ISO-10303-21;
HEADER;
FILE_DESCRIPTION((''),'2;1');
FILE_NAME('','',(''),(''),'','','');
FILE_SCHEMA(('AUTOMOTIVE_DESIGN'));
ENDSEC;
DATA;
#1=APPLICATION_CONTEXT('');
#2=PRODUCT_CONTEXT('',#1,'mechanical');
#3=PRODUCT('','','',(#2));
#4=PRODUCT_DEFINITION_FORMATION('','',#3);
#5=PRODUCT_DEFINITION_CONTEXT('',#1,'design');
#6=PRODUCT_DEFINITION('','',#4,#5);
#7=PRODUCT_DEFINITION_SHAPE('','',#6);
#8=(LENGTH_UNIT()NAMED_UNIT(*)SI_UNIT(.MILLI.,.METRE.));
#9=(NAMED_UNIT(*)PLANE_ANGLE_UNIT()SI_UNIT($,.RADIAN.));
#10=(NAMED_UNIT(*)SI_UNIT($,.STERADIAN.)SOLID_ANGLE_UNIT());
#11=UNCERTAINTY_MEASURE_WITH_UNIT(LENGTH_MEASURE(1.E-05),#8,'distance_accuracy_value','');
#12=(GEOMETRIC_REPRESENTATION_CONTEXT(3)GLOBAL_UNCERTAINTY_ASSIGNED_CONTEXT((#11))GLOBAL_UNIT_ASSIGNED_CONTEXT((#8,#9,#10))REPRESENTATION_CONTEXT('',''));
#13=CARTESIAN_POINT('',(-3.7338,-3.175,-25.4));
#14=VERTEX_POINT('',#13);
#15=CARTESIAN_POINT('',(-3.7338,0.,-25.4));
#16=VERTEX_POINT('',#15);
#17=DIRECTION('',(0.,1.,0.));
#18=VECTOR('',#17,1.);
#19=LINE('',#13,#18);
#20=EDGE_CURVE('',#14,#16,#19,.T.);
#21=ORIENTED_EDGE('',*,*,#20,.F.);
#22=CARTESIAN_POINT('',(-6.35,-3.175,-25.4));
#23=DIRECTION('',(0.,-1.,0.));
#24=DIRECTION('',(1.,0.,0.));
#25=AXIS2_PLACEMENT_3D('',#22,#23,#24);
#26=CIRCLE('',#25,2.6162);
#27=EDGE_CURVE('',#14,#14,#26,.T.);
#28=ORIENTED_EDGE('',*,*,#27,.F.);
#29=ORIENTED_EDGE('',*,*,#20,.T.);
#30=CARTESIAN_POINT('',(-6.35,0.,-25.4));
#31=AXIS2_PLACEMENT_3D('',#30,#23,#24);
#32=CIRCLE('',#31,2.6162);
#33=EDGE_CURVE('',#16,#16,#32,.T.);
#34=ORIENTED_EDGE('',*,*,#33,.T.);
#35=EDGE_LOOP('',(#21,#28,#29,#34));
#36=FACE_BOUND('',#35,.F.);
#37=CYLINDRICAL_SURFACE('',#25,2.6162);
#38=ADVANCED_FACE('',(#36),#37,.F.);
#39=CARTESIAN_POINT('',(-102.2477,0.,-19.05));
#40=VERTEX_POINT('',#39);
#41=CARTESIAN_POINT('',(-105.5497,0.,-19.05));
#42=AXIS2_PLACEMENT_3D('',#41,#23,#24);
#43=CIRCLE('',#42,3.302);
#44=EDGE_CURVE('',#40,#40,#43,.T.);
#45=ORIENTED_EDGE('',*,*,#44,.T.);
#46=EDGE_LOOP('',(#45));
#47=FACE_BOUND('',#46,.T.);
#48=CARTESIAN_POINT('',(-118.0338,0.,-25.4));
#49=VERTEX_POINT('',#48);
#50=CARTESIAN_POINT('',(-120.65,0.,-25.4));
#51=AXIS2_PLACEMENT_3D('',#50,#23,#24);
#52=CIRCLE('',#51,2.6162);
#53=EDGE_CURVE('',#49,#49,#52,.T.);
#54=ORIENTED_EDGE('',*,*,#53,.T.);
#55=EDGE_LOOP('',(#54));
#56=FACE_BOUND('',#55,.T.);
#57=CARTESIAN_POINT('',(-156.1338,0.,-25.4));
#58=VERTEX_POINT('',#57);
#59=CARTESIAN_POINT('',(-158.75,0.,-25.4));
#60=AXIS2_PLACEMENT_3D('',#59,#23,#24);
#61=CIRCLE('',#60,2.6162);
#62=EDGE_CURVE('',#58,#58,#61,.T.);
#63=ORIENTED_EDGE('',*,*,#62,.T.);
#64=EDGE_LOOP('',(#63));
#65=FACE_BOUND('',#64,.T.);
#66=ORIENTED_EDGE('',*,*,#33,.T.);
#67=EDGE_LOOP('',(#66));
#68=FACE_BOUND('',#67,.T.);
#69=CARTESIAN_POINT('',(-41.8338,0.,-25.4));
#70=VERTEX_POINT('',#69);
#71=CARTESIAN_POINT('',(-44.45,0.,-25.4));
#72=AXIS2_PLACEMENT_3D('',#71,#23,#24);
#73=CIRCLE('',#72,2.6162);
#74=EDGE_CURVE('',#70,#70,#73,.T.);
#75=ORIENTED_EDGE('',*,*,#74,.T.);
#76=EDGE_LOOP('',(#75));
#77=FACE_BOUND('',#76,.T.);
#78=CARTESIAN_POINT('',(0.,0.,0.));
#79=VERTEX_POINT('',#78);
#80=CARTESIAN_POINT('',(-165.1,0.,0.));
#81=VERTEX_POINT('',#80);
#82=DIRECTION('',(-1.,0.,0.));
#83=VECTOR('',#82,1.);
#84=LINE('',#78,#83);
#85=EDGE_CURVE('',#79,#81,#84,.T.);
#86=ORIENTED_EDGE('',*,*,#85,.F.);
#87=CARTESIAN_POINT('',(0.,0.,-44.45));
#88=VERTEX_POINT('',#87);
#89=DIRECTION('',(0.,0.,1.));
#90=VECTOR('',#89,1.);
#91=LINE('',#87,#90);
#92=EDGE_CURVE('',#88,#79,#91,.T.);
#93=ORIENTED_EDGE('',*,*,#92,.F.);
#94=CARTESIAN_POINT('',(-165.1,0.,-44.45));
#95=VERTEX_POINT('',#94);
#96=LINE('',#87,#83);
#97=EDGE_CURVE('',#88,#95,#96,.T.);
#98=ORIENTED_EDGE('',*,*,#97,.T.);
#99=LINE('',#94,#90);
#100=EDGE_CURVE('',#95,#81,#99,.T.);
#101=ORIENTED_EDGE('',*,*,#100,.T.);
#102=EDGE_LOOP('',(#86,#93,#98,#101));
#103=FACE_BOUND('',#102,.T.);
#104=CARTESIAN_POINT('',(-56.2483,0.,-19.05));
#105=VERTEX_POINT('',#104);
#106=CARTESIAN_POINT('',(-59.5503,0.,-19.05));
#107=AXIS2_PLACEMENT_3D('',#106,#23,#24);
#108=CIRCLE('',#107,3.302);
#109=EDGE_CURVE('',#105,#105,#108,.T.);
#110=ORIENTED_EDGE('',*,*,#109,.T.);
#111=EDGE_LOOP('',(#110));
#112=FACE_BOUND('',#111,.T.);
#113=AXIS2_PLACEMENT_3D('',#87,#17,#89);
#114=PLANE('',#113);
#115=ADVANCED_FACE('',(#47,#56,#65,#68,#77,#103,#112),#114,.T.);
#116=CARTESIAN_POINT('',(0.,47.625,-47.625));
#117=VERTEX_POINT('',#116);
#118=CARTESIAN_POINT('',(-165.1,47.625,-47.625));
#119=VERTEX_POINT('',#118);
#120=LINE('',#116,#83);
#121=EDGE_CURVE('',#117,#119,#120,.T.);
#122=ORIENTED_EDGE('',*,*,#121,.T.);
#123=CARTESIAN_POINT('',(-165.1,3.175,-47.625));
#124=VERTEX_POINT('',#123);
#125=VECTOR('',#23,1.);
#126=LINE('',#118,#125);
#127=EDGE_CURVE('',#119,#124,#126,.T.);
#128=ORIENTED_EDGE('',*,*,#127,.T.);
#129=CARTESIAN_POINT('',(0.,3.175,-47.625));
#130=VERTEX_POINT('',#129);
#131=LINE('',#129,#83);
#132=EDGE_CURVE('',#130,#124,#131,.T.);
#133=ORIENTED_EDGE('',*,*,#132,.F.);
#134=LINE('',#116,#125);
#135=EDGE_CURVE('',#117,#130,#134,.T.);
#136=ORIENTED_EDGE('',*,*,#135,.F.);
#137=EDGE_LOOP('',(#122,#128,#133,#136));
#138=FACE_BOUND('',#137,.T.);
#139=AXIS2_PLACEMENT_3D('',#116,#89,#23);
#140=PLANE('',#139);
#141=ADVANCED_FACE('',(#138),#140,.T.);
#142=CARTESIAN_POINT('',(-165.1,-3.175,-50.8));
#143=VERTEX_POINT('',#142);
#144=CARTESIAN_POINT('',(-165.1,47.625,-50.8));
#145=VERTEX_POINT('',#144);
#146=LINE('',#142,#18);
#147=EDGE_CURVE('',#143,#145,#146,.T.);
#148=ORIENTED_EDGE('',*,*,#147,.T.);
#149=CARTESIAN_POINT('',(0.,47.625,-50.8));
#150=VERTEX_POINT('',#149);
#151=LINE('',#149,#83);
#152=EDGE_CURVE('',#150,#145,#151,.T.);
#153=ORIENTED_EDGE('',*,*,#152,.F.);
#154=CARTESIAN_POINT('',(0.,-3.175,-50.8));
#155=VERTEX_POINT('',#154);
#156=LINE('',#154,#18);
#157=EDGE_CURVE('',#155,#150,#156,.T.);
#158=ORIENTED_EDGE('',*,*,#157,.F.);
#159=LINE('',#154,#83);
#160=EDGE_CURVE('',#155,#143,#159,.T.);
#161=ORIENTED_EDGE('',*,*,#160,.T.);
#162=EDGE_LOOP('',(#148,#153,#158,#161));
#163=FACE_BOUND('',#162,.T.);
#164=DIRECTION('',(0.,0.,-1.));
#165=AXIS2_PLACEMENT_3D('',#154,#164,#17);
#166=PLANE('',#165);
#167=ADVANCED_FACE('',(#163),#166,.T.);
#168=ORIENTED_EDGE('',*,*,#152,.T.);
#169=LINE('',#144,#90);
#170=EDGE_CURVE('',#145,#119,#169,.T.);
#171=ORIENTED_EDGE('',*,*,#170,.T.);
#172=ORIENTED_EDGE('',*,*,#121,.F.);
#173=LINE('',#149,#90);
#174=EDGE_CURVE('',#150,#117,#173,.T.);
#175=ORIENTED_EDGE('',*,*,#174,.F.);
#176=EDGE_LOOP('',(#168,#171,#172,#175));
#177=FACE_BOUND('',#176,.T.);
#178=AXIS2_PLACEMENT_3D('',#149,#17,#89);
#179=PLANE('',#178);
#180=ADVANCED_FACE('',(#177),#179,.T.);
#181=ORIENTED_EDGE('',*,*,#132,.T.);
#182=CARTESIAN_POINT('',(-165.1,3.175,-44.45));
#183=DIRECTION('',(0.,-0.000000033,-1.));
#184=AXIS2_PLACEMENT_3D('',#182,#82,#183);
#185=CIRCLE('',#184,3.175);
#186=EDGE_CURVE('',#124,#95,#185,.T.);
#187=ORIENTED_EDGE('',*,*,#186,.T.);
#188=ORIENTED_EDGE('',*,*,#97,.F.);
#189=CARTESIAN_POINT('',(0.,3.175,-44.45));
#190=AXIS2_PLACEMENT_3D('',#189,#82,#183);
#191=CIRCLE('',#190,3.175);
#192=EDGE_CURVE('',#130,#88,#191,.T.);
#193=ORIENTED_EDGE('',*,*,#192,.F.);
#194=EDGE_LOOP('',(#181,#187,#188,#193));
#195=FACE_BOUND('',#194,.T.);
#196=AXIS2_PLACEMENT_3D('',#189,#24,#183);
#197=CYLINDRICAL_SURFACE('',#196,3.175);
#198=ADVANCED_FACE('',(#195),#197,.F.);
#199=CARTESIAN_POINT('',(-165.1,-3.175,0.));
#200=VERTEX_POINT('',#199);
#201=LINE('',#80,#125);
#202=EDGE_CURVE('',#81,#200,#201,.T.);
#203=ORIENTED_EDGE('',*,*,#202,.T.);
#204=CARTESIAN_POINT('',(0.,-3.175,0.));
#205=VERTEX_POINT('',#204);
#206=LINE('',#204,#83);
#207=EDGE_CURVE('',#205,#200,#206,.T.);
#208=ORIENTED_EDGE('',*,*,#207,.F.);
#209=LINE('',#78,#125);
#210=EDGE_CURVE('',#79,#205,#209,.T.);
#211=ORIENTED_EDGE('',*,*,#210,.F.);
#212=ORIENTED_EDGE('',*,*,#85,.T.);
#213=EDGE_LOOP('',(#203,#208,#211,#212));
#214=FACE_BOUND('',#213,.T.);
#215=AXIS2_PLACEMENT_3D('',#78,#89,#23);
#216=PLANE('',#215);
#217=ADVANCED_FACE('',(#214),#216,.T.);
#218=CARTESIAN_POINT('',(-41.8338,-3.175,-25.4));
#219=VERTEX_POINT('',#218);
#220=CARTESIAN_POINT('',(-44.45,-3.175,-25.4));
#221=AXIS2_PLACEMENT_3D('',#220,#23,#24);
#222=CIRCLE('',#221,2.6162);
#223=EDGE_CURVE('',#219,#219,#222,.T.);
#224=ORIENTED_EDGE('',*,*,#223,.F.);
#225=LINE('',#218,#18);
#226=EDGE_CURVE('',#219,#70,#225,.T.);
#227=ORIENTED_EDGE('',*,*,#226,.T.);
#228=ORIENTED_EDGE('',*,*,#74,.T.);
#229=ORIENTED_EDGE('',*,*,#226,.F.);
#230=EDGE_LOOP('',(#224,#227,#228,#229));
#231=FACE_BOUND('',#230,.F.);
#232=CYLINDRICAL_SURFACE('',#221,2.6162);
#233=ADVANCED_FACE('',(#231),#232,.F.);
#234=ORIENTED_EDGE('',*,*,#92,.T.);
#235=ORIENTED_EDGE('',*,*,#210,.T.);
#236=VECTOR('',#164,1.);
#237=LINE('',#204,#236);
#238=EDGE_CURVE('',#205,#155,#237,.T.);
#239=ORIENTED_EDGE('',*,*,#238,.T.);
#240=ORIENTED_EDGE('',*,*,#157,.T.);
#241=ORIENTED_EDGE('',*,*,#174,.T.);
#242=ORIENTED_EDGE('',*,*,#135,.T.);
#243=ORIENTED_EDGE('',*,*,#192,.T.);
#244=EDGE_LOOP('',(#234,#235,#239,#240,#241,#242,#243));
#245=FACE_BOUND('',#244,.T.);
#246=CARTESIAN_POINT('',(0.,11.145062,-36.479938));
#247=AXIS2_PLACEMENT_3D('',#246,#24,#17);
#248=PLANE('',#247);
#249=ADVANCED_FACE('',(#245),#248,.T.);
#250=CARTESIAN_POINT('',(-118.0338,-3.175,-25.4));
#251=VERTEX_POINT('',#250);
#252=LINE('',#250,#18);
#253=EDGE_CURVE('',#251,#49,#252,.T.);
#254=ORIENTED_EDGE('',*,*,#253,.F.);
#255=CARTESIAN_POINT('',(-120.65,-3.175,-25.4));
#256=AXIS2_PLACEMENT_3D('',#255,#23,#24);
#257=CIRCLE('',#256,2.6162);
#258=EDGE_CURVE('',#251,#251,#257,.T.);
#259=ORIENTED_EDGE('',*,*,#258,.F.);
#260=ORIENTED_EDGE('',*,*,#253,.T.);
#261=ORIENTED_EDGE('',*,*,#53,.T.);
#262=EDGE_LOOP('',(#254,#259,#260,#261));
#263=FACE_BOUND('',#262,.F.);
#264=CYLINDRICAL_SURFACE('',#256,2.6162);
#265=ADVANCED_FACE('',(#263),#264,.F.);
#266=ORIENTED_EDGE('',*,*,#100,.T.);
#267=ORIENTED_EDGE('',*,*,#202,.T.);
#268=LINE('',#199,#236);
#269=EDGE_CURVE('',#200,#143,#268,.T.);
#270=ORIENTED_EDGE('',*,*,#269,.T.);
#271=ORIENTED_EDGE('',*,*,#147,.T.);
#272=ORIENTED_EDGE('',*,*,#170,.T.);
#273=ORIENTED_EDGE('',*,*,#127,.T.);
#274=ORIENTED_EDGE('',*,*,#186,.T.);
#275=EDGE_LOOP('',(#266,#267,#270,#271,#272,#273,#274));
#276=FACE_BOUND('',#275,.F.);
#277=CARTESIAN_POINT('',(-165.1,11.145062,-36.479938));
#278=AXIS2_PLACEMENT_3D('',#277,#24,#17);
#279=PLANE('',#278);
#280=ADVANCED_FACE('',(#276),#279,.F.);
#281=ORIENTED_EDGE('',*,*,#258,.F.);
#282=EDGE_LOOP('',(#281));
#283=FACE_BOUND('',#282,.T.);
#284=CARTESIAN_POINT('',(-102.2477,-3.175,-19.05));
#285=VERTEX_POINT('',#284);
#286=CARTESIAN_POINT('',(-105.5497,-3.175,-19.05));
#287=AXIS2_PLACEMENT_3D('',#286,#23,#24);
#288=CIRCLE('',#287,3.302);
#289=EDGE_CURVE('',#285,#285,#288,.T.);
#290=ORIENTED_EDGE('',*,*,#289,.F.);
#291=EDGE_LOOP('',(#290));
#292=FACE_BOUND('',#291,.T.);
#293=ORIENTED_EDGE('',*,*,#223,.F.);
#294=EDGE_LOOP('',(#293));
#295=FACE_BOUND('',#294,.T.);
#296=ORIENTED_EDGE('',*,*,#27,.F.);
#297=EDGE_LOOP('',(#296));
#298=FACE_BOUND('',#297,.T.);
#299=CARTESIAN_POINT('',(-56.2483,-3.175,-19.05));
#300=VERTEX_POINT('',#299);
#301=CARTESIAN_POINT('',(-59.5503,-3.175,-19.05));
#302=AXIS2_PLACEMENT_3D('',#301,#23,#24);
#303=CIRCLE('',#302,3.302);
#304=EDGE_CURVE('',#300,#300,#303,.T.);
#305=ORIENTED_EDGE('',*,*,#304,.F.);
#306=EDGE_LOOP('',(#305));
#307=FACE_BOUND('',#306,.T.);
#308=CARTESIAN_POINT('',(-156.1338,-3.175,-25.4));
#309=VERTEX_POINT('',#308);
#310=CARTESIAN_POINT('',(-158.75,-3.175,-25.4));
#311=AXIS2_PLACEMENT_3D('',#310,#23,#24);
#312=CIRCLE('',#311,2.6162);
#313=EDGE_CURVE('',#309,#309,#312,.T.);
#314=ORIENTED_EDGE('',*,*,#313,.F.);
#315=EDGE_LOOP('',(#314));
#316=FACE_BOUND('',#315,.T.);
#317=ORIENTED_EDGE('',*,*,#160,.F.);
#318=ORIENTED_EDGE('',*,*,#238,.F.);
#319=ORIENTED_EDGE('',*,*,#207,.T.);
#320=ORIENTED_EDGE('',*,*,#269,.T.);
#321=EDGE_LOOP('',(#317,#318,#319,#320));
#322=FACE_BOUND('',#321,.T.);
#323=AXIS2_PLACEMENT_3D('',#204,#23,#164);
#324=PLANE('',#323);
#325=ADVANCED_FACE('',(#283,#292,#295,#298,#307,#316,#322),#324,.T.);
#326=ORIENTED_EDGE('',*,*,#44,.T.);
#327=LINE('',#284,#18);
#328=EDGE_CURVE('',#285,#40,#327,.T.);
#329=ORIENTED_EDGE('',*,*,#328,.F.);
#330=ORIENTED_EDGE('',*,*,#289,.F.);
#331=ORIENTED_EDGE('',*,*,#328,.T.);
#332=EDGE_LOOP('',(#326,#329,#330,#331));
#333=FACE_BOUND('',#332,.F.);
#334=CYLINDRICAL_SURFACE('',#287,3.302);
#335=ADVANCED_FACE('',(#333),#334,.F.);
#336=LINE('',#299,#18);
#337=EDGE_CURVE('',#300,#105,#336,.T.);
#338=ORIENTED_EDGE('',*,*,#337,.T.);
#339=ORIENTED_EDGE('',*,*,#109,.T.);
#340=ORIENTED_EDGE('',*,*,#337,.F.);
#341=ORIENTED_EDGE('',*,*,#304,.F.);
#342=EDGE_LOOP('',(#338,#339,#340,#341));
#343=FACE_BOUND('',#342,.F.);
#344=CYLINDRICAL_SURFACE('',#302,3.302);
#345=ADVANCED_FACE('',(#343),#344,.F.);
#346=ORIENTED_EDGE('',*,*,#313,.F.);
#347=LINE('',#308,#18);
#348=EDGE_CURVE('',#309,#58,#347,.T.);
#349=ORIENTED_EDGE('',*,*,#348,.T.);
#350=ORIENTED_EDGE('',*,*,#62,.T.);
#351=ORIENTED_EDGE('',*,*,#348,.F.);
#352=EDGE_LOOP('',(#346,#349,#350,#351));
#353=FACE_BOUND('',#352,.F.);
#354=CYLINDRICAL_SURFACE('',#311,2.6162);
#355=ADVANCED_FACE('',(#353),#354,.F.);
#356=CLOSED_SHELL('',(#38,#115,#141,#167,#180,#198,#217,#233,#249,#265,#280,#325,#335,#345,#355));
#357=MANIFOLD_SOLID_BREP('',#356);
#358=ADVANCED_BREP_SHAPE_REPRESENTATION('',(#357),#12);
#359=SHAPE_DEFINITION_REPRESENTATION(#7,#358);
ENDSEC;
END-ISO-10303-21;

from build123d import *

# Parameters (mm, degrees)
F1_DEPTH = 165.1
F2_R     = 2.6162
F2_R_2   = 3.302
F3_DEPTH = 50.801


with BuildPart() as f1:
    # F0 (on Right) → F1 (new body)
    with BuildSketch(Plane.YZ):
        with BuildLine():
            Line((0, -44.45), (0, 0))
            Line((0, 0), (-3.175, 0))
            Line((-3.175, 0), (-3.175, -50.8))
            Line((-3.175, -50.8), (47.625, -50.8))
            Line((47.625, -50.8), (47.625, -47.625))
            Line((47.625, -47.625), (3.175, -47.625))
            ThreePointArc((3.175, -47.625), (0.929936, -46.695064), (0, -44.45))
        make_face()
    extrude(amount=-F1_DEPTH)

    # F2 (on face) → F3 (cut, through all)
    with BuildSketch(Plane.XZ.offset(3.175)):
        with Locations((-158.75, -25.4)):
            Circle(F2_R)
        with Locations((-120.65, -25.4)):
            Circle(F2_R)
        with Locations((-44.45, -25.4)):
            Circle(F2_R)
        with Locations((-6.35, -25.4)):
            Circle(F2_R)
        with Locations((-105.5497, -19.05)):
            Circle(F2_R_2)
        with Locations((-59.5503, -19.05)):
            Circle(F2_R_2)
    extrude(amount=-F3_DEPTH, mode=Mode.SUBTRACT)


solid = f1.part
